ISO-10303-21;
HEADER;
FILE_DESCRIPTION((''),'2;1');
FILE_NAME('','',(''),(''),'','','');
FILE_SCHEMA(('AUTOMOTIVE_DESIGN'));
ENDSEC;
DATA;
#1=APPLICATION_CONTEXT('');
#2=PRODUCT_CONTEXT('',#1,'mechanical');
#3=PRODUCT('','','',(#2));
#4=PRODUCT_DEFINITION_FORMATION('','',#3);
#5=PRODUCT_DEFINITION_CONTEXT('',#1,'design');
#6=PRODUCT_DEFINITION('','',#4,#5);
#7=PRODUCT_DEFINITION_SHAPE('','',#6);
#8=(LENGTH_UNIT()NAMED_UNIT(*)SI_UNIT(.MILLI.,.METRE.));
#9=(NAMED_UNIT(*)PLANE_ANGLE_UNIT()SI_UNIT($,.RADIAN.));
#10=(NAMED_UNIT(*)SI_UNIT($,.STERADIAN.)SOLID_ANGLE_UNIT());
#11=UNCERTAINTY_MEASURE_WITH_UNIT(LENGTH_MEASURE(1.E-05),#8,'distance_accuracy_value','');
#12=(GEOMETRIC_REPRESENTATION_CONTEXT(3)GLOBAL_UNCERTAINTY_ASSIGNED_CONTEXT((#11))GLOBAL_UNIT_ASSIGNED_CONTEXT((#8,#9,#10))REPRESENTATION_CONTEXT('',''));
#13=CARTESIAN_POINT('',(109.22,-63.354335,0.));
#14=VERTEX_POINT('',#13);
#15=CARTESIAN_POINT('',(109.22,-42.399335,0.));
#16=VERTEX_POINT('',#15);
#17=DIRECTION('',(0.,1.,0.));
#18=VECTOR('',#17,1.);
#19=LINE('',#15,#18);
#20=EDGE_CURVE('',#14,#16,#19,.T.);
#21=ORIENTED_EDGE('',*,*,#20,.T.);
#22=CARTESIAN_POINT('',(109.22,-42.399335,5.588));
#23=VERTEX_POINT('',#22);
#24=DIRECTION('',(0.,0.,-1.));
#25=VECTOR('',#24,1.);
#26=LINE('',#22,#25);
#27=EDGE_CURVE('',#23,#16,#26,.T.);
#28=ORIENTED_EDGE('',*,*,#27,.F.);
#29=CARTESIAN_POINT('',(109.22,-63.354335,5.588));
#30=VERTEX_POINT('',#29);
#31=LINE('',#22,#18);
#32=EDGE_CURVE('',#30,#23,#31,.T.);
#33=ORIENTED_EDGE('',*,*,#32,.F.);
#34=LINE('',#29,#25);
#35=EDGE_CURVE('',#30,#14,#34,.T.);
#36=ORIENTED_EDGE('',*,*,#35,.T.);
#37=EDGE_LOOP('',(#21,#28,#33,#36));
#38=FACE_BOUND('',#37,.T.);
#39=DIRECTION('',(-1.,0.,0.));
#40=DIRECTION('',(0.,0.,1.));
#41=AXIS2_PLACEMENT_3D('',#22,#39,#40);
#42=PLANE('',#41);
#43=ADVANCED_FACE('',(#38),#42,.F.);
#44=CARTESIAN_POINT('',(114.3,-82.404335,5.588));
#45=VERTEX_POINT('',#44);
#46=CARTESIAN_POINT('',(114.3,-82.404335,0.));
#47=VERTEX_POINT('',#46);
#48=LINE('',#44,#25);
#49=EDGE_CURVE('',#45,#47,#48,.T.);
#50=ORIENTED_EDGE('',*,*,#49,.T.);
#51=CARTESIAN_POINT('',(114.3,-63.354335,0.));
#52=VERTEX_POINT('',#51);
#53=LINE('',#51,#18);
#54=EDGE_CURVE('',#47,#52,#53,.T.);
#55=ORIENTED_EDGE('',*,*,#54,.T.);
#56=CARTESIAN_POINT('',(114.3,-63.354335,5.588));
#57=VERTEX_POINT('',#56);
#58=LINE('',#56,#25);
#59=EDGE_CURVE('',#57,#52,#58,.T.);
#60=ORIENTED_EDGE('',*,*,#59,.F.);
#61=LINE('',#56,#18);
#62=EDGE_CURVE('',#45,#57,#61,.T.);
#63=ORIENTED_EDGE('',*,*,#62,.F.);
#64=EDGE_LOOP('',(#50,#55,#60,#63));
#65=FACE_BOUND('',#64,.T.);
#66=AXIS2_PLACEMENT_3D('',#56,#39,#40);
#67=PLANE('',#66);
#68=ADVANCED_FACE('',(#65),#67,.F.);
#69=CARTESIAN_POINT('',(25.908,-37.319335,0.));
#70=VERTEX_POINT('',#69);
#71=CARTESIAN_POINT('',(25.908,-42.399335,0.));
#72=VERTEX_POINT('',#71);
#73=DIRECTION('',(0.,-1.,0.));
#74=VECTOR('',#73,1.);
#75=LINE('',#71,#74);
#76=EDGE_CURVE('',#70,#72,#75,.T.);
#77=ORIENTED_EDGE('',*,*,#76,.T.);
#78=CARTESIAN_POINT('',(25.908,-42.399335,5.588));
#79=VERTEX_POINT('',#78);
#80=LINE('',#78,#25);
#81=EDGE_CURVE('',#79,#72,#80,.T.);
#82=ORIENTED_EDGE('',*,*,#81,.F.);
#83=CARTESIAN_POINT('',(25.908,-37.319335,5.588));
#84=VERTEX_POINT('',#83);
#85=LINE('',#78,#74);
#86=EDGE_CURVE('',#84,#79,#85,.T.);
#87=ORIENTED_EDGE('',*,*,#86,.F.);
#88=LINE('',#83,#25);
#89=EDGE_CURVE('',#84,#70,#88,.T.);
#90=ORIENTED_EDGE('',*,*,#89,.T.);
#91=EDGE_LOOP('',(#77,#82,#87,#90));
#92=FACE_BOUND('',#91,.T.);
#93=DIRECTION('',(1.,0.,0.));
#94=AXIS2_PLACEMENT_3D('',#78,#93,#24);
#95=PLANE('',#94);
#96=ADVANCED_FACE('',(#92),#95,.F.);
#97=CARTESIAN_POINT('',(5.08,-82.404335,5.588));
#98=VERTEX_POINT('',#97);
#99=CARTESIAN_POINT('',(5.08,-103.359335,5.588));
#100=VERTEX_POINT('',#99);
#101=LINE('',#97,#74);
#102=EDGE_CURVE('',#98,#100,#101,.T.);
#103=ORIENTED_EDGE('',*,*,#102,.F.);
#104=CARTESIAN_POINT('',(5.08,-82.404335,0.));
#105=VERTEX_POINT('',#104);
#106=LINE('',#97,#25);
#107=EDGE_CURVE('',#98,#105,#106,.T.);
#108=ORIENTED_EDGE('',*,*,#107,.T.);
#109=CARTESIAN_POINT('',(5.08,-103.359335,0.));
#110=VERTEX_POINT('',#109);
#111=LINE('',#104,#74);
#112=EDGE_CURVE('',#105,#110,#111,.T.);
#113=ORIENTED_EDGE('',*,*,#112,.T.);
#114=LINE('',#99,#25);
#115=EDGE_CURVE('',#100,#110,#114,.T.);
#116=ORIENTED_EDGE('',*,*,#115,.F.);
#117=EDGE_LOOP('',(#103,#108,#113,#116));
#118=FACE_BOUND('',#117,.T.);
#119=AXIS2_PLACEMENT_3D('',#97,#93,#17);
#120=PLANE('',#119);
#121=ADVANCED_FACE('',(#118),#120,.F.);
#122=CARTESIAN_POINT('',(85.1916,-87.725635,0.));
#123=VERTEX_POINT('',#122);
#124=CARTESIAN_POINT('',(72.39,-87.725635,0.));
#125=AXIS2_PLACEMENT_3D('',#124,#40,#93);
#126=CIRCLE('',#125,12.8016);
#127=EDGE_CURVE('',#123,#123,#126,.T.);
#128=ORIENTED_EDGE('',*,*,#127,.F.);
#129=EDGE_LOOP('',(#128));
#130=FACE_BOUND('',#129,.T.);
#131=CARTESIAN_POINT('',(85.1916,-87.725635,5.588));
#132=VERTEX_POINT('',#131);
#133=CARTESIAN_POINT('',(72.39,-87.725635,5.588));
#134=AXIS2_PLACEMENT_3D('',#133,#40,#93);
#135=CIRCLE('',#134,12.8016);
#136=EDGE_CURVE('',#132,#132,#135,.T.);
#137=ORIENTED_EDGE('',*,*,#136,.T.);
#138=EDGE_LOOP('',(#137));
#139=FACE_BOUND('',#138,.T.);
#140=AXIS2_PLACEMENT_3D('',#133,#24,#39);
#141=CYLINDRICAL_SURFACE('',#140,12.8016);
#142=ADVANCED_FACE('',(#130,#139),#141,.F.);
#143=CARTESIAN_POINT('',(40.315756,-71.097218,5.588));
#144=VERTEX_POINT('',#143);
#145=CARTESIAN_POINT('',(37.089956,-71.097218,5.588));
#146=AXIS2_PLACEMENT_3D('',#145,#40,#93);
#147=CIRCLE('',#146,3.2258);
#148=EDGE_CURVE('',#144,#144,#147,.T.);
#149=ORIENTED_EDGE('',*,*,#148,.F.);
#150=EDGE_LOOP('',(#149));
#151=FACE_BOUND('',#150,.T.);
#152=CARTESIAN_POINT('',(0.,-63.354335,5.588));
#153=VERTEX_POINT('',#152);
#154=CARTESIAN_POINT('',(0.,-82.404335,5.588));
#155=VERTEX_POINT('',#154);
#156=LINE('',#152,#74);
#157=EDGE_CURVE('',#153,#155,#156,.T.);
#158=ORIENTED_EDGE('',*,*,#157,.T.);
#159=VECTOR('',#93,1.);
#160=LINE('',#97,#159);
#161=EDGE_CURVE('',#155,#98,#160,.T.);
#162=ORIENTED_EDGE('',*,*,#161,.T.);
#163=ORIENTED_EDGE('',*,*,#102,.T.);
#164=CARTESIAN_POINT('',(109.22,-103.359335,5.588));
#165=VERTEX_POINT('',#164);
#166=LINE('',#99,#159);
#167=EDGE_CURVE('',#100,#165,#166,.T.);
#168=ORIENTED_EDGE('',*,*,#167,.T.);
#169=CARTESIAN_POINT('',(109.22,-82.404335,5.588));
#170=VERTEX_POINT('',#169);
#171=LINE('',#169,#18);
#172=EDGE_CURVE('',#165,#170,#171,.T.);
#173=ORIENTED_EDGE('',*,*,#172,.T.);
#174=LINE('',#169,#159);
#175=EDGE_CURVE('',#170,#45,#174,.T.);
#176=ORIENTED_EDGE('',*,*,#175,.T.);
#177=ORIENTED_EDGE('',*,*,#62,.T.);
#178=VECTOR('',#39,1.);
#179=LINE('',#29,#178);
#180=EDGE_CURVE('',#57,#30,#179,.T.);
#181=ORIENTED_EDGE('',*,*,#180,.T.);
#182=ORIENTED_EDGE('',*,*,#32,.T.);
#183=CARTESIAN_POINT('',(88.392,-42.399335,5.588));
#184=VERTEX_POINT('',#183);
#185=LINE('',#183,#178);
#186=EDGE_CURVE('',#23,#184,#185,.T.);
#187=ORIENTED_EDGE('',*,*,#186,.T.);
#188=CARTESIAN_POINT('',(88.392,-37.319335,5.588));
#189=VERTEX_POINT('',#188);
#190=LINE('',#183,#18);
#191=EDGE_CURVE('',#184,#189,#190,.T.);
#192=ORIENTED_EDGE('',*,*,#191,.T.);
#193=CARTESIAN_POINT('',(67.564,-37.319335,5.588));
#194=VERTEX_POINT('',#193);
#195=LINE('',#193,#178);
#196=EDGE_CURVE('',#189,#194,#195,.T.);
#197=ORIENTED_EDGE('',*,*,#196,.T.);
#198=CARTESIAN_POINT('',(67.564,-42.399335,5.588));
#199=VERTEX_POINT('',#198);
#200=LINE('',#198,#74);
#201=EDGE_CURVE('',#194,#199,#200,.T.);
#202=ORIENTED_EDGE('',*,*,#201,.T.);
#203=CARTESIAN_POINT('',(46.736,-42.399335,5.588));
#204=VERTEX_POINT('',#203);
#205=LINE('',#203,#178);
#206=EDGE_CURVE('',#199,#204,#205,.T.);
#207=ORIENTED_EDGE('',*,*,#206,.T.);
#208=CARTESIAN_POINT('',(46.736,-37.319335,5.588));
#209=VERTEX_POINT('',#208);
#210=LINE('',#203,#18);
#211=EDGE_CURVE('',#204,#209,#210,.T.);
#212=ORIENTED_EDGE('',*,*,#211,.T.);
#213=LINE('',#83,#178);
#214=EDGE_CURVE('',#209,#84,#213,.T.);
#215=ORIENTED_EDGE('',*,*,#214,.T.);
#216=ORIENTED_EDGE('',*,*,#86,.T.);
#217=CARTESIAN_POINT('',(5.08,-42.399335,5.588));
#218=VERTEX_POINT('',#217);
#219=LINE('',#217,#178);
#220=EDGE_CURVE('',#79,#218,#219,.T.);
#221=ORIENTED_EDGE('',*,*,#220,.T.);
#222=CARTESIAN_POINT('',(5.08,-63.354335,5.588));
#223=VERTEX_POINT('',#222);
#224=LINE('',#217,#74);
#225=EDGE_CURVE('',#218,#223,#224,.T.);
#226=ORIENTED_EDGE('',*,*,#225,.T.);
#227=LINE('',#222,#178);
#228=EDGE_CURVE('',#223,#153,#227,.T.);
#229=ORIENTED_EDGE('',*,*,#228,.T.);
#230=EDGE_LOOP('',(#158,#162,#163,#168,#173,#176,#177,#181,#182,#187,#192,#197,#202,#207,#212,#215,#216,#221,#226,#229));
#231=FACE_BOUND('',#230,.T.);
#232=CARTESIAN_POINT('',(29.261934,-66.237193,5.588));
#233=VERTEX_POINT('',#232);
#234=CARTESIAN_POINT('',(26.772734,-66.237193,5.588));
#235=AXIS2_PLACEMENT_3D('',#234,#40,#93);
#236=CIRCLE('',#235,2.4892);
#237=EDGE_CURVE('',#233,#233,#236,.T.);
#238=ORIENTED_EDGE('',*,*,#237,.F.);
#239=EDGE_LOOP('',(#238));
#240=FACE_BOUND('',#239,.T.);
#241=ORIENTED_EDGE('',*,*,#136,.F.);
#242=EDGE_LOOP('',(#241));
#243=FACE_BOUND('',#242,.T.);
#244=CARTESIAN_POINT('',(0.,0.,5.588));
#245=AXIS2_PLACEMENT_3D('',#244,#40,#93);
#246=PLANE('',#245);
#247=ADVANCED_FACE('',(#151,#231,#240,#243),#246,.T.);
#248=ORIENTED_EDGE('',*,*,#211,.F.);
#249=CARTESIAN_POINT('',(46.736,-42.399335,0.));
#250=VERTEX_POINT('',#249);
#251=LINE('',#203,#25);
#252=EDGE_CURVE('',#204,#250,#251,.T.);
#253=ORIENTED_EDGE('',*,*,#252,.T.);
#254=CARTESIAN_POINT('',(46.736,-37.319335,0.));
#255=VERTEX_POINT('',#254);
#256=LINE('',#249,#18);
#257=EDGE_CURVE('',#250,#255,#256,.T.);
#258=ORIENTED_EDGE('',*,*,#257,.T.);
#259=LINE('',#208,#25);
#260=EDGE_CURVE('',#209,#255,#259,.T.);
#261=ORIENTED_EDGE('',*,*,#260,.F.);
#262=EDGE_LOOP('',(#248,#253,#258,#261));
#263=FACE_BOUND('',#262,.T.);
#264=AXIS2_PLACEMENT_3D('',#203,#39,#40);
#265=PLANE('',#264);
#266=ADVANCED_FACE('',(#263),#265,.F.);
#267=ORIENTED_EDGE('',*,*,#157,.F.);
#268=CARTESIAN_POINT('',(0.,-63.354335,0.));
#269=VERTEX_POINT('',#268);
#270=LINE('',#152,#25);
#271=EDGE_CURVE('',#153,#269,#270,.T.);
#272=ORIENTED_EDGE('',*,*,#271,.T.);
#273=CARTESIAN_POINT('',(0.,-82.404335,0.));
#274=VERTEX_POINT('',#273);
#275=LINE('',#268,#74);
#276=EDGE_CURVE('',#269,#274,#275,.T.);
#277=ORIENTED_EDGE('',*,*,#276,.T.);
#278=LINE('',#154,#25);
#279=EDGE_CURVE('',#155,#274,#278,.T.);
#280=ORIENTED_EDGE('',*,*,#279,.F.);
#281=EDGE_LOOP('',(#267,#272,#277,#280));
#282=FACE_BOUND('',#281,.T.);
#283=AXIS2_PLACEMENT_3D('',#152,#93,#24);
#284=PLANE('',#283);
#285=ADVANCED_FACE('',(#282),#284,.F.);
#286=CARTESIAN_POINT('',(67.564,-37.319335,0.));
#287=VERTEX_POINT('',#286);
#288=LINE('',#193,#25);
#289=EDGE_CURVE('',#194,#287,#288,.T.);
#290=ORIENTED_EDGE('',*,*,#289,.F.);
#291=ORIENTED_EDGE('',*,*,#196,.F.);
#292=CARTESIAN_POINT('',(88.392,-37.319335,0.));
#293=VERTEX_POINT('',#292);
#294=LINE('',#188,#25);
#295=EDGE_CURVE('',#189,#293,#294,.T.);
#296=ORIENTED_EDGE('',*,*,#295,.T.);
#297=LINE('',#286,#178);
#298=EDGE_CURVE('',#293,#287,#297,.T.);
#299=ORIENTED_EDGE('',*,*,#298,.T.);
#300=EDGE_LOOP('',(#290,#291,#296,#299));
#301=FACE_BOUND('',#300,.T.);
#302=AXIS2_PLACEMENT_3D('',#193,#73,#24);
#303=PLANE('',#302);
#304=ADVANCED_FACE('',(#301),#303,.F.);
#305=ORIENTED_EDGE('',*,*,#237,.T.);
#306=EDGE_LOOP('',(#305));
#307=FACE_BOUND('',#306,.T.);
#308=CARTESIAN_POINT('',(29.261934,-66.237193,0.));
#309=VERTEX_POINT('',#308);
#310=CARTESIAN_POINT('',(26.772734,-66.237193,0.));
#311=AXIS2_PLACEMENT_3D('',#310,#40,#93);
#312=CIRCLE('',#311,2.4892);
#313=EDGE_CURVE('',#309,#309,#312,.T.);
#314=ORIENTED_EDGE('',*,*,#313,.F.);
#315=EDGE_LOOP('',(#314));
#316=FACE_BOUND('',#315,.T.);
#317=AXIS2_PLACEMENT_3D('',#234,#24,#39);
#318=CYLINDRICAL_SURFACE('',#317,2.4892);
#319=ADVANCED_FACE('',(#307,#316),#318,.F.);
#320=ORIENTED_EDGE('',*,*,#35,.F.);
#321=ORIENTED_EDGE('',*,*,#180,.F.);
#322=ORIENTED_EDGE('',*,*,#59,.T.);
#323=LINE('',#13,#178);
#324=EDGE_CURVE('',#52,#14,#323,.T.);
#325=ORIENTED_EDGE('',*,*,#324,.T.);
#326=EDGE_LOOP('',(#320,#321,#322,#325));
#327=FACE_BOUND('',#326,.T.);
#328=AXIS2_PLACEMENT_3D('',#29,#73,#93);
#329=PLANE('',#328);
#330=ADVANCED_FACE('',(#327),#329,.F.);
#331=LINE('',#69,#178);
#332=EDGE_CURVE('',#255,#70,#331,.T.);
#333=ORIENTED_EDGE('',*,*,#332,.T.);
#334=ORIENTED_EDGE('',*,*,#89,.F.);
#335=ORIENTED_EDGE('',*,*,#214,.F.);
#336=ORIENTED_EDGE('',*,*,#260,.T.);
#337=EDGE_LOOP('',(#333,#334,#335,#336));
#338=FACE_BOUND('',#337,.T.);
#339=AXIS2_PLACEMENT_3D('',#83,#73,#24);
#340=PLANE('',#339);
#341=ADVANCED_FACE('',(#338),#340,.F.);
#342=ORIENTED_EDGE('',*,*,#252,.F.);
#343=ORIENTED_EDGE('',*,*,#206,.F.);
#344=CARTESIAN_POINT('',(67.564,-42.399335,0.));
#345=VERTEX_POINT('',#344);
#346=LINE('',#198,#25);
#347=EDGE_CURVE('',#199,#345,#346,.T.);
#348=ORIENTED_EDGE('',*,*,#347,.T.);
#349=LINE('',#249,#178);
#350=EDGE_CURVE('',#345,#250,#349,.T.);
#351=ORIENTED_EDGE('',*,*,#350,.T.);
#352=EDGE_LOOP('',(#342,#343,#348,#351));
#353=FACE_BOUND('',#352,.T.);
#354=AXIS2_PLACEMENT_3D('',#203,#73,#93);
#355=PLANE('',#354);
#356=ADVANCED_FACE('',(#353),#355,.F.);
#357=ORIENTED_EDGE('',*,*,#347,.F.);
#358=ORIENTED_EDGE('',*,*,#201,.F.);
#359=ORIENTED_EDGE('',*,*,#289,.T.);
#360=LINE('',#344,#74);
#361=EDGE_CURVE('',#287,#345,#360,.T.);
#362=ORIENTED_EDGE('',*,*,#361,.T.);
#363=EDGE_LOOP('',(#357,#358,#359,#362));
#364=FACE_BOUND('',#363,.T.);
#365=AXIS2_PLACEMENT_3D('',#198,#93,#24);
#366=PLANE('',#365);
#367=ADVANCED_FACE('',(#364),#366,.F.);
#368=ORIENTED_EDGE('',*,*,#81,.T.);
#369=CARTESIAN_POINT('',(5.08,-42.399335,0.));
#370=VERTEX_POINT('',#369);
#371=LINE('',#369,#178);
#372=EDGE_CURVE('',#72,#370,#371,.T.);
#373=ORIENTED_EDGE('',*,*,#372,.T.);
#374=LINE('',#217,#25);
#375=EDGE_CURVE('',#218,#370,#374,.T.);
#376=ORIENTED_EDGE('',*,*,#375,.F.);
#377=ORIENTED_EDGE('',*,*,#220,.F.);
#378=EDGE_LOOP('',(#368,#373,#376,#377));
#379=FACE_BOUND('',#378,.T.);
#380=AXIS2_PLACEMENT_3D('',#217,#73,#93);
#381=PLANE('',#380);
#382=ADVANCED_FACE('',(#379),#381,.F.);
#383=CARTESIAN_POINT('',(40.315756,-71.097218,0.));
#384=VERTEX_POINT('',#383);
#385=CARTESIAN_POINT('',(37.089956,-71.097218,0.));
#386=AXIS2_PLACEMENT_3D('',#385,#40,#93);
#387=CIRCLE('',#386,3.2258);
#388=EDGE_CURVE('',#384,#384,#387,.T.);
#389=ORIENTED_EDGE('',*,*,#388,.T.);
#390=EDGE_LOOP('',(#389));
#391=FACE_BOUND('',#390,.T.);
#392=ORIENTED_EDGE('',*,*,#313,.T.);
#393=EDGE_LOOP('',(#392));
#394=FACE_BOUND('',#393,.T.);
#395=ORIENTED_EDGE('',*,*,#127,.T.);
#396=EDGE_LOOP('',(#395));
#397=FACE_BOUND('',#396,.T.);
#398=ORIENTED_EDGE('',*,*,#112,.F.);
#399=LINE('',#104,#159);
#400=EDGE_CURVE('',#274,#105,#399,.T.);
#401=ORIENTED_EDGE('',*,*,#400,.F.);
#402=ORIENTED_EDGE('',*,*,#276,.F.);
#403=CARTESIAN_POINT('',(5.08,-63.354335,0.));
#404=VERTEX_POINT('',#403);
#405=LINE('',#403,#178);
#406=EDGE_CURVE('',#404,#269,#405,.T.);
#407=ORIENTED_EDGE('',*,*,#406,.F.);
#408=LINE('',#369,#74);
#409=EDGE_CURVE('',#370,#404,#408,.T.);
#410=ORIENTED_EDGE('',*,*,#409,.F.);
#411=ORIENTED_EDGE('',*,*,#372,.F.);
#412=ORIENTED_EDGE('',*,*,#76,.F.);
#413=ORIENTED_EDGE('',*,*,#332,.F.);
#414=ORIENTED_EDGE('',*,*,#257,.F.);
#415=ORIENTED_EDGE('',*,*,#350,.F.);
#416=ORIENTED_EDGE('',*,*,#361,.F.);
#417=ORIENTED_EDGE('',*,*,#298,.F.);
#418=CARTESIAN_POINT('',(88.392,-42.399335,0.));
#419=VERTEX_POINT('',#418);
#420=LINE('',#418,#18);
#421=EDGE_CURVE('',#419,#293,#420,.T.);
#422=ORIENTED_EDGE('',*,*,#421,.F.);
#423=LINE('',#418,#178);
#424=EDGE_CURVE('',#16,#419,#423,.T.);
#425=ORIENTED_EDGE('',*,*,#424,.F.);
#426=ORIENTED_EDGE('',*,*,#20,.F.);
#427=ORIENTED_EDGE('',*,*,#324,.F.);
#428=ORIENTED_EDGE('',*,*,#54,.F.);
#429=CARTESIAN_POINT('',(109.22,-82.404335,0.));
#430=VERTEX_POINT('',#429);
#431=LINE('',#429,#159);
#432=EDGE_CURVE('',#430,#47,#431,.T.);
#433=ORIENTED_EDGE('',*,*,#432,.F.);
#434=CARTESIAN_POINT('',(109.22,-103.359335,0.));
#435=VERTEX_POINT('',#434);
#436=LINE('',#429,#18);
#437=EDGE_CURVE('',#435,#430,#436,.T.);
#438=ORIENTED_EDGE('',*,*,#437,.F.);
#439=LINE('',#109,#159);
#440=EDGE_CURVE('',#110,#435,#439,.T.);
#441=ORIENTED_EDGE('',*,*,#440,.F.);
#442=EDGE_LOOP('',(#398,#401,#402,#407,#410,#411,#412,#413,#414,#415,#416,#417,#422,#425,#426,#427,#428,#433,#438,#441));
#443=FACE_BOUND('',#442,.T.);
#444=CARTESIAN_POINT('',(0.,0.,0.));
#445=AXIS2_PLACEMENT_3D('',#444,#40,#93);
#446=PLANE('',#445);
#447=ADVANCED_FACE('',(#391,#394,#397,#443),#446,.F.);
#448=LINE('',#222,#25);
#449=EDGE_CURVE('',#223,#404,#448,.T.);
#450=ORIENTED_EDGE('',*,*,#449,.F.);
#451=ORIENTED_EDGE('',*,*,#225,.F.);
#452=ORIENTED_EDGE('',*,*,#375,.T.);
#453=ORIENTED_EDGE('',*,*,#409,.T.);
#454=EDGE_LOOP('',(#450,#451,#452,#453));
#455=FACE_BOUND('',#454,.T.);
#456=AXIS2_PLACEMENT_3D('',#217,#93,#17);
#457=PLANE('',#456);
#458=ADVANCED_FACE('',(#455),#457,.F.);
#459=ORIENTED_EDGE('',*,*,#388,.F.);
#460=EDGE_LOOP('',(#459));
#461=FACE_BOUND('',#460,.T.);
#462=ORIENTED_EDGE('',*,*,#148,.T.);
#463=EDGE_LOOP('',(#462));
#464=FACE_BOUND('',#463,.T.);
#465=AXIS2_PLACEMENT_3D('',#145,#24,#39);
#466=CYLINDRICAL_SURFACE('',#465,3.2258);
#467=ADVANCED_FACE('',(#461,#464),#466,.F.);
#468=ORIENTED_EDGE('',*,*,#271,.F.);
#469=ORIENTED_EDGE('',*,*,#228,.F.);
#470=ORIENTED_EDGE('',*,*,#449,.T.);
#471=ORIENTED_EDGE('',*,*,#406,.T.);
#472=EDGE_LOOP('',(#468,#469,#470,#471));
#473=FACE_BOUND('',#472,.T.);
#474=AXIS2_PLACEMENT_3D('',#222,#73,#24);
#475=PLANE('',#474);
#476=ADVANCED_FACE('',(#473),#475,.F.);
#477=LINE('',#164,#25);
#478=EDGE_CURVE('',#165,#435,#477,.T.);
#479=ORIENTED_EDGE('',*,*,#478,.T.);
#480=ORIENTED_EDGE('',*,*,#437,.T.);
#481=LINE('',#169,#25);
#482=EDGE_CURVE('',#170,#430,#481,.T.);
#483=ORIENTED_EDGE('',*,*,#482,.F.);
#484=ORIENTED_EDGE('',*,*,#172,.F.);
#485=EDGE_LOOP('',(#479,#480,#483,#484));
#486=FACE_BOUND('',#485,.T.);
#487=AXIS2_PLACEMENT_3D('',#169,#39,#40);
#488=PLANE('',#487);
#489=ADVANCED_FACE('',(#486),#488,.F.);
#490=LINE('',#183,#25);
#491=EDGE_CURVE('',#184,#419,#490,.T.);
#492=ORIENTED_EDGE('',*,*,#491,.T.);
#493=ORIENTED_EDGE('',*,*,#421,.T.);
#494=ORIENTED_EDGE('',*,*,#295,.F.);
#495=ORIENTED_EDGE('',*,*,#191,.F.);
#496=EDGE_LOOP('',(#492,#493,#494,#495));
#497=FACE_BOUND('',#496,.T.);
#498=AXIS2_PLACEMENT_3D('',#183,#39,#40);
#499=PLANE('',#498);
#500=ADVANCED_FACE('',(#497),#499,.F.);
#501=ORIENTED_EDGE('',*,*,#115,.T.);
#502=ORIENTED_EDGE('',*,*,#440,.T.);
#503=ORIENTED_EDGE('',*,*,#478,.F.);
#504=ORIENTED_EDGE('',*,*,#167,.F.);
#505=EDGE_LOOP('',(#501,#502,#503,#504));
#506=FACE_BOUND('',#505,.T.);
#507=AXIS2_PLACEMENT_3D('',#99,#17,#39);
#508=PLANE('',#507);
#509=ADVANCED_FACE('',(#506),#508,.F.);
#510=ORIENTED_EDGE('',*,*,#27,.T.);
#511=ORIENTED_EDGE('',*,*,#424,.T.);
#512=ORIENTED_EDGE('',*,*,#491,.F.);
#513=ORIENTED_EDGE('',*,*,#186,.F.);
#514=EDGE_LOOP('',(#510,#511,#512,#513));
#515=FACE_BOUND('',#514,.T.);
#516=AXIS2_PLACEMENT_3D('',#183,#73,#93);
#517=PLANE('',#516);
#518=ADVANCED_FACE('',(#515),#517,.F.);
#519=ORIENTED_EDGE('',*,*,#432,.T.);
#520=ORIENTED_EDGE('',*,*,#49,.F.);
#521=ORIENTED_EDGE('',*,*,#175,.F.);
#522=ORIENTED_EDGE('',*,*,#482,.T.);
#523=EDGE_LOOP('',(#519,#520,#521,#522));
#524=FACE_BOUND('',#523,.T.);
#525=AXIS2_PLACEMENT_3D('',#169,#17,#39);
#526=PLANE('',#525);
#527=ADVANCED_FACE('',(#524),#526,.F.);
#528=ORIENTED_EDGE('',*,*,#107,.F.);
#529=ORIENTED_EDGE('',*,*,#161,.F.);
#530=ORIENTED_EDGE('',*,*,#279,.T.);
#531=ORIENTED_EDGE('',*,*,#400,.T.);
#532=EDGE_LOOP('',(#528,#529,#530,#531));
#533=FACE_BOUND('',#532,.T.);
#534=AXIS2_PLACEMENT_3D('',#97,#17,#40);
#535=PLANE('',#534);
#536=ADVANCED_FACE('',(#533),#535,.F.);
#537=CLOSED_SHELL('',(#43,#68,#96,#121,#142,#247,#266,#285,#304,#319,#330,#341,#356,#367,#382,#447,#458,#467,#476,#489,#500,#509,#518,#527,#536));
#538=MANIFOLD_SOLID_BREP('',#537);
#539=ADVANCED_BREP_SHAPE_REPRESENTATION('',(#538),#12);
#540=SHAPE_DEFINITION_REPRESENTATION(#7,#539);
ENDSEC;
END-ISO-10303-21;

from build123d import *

# Parameters (mm, degrees)
SKETCH1_R           = 2.489200007
SKETCH1_R_2         = 3.225800007
SKETCH1_R_3         = 12.801600005
BOSS_EXTRUDE1_DEPTH = 5.588


with BuildPart() as part:
    # Sketch1 → Boss-Extrude1 (new body)
    with BuildSketch(Plane.XY):
        Polygon((5.08, -82.404335154), (5.08, -103.359335154), (109.22, -103.359335154), (109.22, -82.404335154), (114.3, -82.404335154), (114.3, -63.354335154), (109.22, -63.354335154), (109.22, -42.399335154), (88.392, -42.399335154), (88.392, -37.319335154), (67.564, -37.319335154), (67.564, -42.399335154), (46.736, -42.399335154), (46.736, -37.319335154), (25.908, -37.319335154), (25.908, -42.399335154), (5.08, -42.399335154), (5.08, -63.354335154), (0, -63.354335154), (0, -82.404335154), align=None)
        with Locations((26.772733885, -66.237193374)):
            Circle(SKETCH1_R, mode=Mode.SUBTRACT)
        with Locations((37.089955672, -71.097217628)):
            Circle(SKETCH1_R_2, mode=Mode.SUBTRACT)
        with Locations((72.39, -87.725635154)):
            Circle(SKETCH1_R_3, mode=Mode.SUBTRACT)
    extrude(amount=BOSS_EXTRUDE1_DEPTH)


solid = part.part
